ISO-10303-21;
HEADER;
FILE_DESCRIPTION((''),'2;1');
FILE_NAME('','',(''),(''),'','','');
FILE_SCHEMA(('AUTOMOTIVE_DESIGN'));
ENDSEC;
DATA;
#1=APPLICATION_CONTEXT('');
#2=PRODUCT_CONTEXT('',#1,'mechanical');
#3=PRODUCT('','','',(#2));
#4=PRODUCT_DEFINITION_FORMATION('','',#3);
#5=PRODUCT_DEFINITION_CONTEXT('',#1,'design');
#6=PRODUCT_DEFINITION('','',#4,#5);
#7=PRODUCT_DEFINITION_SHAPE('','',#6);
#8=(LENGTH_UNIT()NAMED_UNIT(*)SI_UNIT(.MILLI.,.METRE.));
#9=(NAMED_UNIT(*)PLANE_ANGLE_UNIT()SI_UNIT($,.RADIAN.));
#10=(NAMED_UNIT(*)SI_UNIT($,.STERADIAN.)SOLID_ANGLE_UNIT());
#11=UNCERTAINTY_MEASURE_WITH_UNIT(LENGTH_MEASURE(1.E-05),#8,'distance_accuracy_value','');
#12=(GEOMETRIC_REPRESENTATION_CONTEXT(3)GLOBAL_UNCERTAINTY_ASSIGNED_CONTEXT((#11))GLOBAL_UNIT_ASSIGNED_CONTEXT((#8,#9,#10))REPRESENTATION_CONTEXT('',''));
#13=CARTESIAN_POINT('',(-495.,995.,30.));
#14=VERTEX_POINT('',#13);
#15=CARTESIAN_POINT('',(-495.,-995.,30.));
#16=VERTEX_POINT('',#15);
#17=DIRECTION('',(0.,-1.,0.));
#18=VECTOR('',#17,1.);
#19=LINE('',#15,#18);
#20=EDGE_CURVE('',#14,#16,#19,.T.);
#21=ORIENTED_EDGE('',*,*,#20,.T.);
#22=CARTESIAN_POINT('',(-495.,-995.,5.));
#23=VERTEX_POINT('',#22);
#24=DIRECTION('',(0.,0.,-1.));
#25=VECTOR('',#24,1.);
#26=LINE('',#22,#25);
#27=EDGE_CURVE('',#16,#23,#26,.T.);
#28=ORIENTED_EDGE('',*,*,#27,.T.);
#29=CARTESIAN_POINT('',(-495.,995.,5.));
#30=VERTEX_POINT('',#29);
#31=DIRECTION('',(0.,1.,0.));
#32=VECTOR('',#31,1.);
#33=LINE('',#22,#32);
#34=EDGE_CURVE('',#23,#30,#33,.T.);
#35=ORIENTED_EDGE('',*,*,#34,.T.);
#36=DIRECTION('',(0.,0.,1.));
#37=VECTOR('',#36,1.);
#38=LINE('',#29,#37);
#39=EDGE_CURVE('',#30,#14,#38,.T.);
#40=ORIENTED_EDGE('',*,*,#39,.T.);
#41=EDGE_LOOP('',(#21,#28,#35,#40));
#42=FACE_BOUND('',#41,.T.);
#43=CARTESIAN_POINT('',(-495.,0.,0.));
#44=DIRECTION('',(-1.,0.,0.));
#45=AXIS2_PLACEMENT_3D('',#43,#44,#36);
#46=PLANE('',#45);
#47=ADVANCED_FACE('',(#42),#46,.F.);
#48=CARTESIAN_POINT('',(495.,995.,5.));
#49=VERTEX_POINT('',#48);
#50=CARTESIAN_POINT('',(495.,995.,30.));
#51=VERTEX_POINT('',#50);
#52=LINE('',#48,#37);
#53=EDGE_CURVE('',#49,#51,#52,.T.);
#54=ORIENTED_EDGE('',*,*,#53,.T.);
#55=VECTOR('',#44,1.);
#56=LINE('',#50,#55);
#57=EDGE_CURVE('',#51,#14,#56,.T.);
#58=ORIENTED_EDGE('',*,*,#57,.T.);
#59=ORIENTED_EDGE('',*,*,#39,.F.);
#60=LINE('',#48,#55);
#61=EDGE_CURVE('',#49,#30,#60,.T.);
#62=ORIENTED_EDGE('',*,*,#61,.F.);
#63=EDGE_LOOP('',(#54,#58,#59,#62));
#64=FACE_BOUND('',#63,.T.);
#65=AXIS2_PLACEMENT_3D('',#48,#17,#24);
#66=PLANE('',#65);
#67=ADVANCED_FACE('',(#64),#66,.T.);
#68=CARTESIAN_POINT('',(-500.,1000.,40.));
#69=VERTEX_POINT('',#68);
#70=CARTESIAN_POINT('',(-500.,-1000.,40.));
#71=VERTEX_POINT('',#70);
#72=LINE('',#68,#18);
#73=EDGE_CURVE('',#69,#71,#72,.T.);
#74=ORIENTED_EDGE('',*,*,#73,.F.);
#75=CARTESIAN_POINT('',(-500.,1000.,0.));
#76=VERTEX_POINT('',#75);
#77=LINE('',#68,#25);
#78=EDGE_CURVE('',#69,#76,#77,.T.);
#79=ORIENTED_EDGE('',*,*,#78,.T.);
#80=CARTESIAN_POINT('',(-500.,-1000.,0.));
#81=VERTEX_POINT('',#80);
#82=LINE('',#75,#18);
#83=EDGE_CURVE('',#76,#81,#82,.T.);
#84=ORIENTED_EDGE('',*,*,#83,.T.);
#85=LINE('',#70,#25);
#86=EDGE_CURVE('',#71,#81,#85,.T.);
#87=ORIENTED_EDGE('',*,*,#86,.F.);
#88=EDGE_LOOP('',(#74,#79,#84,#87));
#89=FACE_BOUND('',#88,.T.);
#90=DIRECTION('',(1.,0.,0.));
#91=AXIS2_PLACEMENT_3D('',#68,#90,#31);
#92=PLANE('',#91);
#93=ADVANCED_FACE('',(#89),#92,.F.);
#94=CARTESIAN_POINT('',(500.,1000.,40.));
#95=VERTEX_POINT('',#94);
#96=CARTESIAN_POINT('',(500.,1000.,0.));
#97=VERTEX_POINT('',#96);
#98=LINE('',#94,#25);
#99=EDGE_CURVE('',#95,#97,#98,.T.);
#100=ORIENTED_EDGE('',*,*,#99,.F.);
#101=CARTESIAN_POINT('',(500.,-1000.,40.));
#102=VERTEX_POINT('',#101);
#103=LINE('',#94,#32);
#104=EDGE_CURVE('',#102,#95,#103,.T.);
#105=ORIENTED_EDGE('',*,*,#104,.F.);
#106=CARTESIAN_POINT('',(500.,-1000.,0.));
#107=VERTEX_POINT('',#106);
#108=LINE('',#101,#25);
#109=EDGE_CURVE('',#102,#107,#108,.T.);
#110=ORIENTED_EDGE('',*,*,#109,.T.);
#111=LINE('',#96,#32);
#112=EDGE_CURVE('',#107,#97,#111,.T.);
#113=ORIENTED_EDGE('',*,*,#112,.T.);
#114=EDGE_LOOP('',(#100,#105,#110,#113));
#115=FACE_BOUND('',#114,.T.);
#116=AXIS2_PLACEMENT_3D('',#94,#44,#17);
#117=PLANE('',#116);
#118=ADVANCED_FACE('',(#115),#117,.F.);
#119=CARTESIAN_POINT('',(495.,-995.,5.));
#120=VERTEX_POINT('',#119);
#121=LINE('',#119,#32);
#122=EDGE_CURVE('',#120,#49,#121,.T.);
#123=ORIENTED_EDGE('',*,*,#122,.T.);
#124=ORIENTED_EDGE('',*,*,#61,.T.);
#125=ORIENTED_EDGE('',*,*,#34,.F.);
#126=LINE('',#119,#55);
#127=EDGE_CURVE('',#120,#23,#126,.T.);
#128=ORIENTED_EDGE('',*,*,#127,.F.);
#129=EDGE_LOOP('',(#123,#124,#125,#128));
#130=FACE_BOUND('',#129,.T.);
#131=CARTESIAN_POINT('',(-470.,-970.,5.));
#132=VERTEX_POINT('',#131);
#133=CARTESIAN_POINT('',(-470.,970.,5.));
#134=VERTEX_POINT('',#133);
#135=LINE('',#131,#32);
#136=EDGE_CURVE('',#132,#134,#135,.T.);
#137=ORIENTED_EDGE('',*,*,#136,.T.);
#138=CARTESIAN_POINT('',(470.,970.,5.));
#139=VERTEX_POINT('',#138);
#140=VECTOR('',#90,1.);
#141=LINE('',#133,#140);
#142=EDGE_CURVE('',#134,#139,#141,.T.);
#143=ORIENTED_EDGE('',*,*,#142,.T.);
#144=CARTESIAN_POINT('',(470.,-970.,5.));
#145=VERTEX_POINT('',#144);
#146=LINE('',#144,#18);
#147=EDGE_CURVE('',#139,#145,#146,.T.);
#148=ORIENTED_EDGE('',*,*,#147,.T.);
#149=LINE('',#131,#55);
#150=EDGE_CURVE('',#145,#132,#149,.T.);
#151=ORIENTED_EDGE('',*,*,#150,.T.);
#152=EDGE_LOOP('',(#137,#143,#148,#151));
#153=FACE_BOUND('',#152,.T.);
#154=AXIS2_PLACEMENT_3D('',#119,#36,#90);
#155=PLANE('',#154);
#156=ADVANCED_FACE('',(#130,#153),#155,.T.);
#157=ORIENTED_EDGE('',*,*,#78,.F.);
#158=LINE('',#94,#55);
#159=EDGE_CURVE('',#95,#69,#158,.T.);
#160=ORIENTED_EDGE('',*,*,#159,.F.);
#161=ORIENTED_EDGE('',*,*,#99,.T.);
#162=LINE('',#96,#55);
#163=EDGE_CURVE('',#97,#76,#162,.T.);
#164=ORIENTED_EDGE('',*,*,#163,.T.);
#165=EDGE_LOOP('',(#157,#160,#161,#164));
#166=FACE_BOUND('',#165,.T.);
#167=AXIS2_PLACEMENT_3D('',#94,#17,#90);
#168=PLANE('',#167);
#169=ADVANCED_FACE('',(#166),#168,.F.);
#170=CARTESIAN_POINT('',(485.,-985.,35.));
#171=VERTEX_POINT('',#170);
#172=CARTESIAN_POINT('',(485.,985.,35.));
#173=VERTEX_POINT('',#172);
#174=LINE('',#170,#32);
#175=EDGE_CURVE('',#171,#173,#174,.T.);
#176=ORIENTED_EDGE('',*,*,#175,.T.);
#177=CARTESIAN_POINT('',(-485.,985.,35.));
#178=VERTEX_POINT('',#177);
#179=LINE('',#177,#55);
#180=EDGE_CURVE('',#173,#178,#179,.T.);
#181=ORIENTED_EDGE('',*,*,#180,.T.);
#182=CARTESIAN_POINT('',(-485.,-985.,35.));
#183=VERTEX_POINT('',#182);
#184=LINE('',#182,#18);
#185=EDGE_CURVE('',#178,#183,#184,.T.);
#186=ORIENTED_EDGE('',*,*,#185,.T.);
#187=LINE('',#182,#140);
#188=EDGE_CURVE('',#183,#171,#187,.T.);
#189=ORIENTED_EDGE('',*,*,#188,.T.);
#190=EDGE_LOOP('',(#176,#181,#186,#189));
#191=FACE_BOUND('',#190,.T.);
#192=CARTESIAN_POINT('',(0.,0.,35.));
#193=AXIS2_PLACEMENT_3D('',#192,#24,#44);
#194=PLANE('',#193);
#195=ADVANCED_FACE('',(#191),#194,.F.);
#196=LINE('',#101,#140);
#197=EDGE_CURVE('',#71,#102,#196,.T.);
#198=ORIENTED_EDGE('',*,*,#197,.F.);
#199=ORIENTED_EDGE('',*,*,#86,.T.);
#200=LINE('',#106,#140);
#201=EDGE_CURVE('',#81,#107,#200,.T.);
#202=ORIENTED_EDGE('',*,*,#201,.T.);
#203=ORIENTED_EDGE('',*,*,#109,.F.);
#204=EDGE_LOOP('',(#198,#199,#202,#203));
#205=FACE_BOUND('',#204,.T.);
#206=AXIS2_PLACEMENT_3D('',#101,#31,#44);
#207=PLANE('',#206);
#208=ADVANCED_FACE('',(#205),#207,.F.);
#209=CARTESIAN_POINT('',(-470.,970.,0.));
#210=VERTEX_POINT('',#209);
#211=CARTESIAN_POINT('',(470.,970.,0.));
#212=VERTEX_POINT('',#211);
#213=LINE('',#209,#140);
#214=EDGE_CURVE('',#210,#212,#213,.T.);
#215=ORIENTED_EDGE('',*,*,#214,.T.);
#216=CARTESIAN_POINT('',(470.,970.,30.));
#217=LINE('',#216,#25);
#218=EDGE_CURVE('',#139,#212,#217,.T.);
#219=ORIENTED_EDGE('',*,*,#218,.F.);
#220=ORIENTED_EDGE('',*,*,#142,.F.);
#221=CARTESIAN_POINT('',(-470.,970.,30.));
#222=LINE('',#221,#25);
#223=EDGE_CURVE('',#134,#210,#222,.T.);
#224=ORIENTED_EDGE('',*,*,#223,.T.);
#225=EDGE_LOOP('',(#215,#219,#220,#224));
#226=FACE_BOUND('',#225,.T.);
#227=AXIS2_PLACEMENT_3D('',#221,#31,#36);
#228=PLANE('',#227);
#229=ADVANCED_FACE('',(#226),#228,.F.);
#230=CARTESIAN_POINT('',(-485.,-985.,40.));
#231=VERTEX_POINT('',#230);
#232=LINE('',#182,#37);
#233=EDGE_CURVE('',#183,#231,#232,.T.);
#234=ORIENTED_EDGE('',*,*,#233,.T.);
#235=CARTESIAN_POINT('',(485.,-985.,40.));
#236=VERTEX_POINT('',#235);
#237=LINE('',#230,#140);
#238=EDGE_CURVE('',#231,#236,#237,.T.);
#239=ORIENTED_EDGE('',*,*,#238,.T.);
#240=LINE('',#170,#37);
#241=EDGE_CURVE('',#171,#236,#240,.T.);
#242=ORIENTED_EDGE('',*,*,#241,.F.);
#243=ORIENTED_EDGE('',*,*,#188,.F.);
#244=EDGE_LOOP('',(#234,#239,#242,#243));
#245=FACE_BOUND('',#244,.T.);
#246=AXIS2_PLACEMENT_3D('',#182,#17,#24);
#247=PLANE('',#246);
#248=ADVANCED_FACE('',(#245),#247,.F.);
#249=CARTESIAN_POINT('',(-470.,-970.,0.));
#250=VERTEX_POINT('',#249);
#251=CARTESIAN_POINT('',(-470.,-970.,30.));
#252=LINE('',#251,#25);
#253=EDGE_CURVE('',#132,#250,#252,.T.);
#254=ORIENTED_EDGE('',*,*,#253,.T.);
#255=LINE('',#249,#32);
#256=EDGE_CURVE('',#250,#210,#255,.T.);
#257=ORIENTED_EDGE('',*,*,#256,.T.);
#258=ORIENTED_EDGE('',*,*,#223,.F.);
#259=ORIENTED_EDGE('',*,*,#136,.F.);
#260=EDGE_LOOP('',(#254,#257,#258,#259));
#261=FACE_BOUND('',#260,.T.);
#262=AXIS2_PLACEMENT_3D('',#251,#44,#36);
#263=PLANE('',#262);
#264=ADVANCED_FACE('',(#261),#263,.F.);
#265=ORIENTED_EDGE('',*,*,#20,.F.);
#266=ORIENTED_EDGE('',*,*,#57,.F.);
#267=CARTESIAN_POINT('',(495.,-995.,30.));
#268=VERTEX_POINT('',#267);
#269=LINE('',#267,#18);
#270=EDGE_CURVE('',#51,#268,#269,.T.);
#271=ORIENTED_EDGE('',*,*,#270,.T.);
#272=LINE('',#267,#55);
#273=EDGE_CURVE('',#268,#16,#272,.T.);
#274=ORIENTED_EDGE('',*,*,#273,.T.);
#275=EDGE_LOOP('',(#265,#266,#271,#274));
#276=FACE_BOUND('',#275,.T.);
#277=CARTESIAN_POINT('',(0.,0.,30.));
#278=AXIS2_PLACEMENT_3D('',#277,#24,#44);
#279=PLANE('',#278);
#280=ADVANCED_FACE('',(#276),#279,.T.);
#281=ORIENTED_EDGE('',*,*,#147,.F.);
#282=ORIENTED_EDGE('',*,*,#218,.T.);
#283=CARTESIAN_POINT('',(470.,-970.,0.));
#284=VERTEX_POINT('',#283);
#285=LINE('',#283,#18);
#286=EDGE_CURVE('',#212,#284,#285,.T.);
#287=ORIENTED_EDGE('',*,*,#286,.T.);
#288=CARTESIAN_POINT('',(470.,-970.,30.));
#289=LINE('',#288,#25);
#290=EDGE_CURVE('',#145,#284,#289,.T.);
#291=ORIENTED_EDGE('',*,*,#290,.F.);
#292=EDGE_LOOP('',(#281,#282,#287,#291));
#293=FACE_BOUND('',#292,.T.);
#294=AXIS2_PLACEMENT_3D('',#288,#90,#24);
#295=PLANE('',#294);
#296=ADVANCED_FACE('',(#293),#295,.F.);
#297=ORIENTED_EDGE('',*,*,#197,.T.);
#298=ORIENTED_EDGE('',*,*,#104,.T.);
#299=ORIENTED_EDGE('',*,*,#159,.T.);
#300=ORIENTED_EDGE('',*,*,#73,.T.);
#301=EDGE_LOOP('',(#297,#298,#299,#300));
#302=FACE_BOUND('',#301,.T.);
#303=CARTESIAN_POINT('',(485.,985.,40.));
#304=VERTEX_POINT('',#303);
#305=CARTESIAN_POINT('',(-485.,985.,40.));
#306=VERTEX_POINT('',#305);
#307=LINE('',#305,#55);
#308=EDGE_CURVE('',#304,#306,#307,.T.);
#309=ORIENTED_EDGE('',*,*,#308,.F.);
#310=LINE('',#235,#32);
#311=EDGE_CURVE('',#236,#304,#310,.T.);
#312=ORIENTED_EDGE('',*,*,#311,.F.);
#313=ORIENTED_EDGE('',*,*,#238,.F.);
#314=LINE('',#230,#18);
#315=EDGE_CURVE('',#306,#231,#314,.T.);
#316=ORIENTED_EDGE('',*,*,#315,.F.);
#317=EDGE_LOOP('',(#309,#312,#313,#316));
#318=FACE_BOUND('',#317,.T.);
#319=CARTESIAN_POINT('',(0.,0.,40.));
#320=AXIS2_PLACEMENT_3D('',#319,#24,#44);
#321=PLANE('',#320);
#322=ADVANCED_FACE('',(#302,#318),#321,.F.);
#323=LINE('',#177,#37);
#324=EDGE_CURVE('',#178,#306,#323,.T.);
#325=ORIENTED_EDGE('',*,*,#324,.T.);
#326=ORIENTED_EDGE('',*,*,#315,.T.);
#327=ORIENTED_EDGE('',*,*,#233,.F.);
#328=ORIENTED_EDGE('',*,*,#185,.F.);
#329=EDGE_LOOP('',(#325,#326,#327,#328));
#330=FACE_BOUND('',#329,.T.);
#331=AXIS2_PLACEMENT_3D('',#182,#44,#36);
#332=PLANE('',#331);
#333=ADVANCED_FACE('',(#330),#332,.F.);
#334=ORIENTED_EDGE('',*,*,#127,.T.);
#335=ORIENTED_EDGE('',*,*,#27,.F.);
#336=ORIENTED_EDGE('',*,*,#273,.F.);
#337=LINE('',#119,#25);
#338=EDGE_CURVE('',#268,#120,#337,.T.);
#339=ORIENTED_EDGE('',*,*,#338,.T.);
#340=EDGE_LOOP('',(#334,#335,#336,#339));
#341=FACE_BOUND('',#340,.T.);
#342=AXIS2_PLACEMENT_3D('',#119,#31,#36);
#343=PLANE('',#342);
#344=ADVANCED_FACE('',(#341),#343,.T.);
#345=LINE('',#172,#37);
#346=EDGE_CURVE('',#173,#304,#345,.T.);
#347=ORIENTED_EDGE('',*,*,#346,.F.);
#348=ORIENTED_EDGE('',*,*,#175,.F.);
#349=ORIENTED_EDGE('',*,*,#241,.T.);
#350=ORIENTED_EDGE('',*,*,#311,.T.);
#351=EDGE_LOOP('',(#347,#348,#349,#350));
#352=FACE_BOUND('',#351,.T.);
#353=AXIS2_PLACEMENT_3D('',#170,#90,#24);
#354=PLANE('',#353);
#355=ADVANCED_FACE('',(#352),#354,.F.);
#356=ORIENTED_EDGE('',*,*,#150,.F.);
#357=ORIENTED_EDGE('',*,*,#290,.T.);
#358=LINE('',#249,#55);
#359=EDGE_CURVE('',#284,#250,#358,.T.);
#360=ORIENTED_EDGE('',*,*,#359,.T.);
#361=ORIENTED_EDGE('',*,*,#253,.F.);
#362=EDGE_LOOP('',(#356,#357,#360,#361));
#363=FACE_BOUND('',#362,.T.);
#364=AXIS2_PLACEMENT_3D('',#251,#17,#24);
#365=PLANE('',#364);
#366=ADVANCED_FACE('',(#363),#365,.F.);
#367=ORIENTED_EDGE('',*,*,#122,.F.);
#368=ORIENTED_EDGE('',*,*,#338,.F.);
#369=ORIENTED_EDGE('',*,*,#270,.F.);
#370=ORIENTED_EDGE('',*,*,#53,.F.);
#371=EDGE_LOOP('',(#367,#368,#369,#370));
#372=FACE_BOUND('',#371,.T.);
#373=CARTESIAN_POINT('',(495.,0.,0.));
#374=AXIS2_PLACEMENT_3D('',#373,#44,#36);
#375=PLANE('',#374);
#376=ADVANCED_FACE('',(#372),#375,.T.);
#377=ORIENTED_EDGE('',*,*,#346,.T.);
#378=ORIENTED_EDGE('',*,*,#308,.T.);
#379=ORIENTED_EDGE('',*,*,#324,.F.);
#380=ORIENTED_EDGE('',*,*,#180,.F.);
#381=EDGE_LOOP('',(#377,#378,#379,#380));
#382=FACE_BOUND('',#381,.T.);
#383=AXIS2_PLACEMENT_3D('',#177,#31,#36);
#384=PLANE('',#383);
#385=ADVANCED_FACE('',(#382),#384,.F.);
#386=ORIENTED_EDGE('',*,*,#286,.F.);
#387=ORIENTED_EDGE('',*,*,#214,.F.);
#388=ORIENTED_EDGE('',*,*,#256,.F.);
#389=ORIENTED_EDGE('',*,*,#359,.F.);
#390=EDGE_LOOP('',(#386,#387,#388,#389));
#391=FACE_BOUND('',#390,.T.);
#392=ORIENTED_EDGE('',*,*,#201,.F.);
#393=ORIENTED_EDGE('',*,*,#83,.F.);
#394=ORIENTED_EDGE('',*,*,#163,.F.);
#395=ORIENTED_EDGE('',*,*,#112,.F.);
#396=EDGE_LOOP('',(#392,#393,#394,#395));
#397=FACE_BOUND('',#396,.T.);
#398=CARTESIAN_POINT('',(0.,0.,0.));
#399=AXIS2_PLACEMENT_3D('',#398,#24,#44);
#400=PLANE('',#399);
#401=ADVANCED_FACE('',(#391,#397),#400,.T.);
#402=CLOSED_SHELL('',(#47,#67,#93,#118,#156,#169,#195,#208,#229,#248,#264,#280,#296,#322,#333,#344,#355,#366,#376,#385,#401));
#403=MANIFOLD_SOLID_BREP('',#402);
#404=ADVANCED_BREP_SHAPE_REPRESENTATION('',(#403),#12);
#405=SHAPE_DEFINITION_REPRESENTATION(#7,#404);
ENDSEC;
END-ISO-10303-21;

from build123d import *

# Parameters (mm, degrees)
CROQUIS1_W                 = 1000
CROQUIS1_H                 = 2000
SALIENTE_EXTRUIR2_DEPTH    = 40
CROQUIS2_W                 = 940
CROQUIS2_H                 = 1940
CORTAR_EXTRUIR1_DEPTH      = 30
CORTAR_EXTRUIR2_DEPTH      = 495
CORTAR_EXTRUIR2_DEPTH_BACK = 495
CROQUIS3_W                 = 25
CROQUIS3_H                 = 1990
CROQUIS4_W                 = 970
CROQUIS4_H                 = 1970
CORTAR_EXTRUIR3_DEPTH      = 5


with BuildPart() as part:
    # Croquis1 → Saliente-Extruir2 (new body)
    with BuildSketch(Plane.XY):
        Rectangle(CROQUIS1_W, CROQUIS1_H)
    extrude(amount=SALIENTE_EXTRUIR2_DEPTH)

    # Croquis2 → Cortar-Extruir1 (cut)
    with BuildSketch(Plane(origin=(0, 0, 0), x_dir=(-1, 0, 0), z_dir=(0, 0, -1))):
        Rectangle(CROQUIS2_W, CROQUIS2_H)
    extrude(amount=-CORTAR_EXTRUIR1_DEPTH, mode=Mode.SUBTRACT)

    # Croquis3 → Cortar-Extruir2 (cut, two sides: drawn at the far end of the back side and taken through both)
    with BuildSketch(Plane(origin=(0, 0, 0), x_dir=(0, 0, -1), z_dir=(1, 0, 0)).offset(-CORTAR_EXTRUIR2_DEPTH_BACK)):
        with Locations((-17.5, 0)):
            Rectangle(CROQUIS3_W, CROQUIS3_H)
    extrude(amount=CORTAR_EXTRUIR2_DEPTH + CORTAR_EXTRUIR2_DEPTH_BACK, mode=Mode.SUBTRACT)

    # Croquis4 → Cortar-Extruir3 (cut)
    with BuildSketch(Plane.XY.offset(40)):
        Rectangle(CROQUIS4_W, CROQUIS4_H)
    extrude(amount=-CORTAR_EXTRUIR3_DEPTH, mode=Mode.SUBTRACT)


solid = part.part
